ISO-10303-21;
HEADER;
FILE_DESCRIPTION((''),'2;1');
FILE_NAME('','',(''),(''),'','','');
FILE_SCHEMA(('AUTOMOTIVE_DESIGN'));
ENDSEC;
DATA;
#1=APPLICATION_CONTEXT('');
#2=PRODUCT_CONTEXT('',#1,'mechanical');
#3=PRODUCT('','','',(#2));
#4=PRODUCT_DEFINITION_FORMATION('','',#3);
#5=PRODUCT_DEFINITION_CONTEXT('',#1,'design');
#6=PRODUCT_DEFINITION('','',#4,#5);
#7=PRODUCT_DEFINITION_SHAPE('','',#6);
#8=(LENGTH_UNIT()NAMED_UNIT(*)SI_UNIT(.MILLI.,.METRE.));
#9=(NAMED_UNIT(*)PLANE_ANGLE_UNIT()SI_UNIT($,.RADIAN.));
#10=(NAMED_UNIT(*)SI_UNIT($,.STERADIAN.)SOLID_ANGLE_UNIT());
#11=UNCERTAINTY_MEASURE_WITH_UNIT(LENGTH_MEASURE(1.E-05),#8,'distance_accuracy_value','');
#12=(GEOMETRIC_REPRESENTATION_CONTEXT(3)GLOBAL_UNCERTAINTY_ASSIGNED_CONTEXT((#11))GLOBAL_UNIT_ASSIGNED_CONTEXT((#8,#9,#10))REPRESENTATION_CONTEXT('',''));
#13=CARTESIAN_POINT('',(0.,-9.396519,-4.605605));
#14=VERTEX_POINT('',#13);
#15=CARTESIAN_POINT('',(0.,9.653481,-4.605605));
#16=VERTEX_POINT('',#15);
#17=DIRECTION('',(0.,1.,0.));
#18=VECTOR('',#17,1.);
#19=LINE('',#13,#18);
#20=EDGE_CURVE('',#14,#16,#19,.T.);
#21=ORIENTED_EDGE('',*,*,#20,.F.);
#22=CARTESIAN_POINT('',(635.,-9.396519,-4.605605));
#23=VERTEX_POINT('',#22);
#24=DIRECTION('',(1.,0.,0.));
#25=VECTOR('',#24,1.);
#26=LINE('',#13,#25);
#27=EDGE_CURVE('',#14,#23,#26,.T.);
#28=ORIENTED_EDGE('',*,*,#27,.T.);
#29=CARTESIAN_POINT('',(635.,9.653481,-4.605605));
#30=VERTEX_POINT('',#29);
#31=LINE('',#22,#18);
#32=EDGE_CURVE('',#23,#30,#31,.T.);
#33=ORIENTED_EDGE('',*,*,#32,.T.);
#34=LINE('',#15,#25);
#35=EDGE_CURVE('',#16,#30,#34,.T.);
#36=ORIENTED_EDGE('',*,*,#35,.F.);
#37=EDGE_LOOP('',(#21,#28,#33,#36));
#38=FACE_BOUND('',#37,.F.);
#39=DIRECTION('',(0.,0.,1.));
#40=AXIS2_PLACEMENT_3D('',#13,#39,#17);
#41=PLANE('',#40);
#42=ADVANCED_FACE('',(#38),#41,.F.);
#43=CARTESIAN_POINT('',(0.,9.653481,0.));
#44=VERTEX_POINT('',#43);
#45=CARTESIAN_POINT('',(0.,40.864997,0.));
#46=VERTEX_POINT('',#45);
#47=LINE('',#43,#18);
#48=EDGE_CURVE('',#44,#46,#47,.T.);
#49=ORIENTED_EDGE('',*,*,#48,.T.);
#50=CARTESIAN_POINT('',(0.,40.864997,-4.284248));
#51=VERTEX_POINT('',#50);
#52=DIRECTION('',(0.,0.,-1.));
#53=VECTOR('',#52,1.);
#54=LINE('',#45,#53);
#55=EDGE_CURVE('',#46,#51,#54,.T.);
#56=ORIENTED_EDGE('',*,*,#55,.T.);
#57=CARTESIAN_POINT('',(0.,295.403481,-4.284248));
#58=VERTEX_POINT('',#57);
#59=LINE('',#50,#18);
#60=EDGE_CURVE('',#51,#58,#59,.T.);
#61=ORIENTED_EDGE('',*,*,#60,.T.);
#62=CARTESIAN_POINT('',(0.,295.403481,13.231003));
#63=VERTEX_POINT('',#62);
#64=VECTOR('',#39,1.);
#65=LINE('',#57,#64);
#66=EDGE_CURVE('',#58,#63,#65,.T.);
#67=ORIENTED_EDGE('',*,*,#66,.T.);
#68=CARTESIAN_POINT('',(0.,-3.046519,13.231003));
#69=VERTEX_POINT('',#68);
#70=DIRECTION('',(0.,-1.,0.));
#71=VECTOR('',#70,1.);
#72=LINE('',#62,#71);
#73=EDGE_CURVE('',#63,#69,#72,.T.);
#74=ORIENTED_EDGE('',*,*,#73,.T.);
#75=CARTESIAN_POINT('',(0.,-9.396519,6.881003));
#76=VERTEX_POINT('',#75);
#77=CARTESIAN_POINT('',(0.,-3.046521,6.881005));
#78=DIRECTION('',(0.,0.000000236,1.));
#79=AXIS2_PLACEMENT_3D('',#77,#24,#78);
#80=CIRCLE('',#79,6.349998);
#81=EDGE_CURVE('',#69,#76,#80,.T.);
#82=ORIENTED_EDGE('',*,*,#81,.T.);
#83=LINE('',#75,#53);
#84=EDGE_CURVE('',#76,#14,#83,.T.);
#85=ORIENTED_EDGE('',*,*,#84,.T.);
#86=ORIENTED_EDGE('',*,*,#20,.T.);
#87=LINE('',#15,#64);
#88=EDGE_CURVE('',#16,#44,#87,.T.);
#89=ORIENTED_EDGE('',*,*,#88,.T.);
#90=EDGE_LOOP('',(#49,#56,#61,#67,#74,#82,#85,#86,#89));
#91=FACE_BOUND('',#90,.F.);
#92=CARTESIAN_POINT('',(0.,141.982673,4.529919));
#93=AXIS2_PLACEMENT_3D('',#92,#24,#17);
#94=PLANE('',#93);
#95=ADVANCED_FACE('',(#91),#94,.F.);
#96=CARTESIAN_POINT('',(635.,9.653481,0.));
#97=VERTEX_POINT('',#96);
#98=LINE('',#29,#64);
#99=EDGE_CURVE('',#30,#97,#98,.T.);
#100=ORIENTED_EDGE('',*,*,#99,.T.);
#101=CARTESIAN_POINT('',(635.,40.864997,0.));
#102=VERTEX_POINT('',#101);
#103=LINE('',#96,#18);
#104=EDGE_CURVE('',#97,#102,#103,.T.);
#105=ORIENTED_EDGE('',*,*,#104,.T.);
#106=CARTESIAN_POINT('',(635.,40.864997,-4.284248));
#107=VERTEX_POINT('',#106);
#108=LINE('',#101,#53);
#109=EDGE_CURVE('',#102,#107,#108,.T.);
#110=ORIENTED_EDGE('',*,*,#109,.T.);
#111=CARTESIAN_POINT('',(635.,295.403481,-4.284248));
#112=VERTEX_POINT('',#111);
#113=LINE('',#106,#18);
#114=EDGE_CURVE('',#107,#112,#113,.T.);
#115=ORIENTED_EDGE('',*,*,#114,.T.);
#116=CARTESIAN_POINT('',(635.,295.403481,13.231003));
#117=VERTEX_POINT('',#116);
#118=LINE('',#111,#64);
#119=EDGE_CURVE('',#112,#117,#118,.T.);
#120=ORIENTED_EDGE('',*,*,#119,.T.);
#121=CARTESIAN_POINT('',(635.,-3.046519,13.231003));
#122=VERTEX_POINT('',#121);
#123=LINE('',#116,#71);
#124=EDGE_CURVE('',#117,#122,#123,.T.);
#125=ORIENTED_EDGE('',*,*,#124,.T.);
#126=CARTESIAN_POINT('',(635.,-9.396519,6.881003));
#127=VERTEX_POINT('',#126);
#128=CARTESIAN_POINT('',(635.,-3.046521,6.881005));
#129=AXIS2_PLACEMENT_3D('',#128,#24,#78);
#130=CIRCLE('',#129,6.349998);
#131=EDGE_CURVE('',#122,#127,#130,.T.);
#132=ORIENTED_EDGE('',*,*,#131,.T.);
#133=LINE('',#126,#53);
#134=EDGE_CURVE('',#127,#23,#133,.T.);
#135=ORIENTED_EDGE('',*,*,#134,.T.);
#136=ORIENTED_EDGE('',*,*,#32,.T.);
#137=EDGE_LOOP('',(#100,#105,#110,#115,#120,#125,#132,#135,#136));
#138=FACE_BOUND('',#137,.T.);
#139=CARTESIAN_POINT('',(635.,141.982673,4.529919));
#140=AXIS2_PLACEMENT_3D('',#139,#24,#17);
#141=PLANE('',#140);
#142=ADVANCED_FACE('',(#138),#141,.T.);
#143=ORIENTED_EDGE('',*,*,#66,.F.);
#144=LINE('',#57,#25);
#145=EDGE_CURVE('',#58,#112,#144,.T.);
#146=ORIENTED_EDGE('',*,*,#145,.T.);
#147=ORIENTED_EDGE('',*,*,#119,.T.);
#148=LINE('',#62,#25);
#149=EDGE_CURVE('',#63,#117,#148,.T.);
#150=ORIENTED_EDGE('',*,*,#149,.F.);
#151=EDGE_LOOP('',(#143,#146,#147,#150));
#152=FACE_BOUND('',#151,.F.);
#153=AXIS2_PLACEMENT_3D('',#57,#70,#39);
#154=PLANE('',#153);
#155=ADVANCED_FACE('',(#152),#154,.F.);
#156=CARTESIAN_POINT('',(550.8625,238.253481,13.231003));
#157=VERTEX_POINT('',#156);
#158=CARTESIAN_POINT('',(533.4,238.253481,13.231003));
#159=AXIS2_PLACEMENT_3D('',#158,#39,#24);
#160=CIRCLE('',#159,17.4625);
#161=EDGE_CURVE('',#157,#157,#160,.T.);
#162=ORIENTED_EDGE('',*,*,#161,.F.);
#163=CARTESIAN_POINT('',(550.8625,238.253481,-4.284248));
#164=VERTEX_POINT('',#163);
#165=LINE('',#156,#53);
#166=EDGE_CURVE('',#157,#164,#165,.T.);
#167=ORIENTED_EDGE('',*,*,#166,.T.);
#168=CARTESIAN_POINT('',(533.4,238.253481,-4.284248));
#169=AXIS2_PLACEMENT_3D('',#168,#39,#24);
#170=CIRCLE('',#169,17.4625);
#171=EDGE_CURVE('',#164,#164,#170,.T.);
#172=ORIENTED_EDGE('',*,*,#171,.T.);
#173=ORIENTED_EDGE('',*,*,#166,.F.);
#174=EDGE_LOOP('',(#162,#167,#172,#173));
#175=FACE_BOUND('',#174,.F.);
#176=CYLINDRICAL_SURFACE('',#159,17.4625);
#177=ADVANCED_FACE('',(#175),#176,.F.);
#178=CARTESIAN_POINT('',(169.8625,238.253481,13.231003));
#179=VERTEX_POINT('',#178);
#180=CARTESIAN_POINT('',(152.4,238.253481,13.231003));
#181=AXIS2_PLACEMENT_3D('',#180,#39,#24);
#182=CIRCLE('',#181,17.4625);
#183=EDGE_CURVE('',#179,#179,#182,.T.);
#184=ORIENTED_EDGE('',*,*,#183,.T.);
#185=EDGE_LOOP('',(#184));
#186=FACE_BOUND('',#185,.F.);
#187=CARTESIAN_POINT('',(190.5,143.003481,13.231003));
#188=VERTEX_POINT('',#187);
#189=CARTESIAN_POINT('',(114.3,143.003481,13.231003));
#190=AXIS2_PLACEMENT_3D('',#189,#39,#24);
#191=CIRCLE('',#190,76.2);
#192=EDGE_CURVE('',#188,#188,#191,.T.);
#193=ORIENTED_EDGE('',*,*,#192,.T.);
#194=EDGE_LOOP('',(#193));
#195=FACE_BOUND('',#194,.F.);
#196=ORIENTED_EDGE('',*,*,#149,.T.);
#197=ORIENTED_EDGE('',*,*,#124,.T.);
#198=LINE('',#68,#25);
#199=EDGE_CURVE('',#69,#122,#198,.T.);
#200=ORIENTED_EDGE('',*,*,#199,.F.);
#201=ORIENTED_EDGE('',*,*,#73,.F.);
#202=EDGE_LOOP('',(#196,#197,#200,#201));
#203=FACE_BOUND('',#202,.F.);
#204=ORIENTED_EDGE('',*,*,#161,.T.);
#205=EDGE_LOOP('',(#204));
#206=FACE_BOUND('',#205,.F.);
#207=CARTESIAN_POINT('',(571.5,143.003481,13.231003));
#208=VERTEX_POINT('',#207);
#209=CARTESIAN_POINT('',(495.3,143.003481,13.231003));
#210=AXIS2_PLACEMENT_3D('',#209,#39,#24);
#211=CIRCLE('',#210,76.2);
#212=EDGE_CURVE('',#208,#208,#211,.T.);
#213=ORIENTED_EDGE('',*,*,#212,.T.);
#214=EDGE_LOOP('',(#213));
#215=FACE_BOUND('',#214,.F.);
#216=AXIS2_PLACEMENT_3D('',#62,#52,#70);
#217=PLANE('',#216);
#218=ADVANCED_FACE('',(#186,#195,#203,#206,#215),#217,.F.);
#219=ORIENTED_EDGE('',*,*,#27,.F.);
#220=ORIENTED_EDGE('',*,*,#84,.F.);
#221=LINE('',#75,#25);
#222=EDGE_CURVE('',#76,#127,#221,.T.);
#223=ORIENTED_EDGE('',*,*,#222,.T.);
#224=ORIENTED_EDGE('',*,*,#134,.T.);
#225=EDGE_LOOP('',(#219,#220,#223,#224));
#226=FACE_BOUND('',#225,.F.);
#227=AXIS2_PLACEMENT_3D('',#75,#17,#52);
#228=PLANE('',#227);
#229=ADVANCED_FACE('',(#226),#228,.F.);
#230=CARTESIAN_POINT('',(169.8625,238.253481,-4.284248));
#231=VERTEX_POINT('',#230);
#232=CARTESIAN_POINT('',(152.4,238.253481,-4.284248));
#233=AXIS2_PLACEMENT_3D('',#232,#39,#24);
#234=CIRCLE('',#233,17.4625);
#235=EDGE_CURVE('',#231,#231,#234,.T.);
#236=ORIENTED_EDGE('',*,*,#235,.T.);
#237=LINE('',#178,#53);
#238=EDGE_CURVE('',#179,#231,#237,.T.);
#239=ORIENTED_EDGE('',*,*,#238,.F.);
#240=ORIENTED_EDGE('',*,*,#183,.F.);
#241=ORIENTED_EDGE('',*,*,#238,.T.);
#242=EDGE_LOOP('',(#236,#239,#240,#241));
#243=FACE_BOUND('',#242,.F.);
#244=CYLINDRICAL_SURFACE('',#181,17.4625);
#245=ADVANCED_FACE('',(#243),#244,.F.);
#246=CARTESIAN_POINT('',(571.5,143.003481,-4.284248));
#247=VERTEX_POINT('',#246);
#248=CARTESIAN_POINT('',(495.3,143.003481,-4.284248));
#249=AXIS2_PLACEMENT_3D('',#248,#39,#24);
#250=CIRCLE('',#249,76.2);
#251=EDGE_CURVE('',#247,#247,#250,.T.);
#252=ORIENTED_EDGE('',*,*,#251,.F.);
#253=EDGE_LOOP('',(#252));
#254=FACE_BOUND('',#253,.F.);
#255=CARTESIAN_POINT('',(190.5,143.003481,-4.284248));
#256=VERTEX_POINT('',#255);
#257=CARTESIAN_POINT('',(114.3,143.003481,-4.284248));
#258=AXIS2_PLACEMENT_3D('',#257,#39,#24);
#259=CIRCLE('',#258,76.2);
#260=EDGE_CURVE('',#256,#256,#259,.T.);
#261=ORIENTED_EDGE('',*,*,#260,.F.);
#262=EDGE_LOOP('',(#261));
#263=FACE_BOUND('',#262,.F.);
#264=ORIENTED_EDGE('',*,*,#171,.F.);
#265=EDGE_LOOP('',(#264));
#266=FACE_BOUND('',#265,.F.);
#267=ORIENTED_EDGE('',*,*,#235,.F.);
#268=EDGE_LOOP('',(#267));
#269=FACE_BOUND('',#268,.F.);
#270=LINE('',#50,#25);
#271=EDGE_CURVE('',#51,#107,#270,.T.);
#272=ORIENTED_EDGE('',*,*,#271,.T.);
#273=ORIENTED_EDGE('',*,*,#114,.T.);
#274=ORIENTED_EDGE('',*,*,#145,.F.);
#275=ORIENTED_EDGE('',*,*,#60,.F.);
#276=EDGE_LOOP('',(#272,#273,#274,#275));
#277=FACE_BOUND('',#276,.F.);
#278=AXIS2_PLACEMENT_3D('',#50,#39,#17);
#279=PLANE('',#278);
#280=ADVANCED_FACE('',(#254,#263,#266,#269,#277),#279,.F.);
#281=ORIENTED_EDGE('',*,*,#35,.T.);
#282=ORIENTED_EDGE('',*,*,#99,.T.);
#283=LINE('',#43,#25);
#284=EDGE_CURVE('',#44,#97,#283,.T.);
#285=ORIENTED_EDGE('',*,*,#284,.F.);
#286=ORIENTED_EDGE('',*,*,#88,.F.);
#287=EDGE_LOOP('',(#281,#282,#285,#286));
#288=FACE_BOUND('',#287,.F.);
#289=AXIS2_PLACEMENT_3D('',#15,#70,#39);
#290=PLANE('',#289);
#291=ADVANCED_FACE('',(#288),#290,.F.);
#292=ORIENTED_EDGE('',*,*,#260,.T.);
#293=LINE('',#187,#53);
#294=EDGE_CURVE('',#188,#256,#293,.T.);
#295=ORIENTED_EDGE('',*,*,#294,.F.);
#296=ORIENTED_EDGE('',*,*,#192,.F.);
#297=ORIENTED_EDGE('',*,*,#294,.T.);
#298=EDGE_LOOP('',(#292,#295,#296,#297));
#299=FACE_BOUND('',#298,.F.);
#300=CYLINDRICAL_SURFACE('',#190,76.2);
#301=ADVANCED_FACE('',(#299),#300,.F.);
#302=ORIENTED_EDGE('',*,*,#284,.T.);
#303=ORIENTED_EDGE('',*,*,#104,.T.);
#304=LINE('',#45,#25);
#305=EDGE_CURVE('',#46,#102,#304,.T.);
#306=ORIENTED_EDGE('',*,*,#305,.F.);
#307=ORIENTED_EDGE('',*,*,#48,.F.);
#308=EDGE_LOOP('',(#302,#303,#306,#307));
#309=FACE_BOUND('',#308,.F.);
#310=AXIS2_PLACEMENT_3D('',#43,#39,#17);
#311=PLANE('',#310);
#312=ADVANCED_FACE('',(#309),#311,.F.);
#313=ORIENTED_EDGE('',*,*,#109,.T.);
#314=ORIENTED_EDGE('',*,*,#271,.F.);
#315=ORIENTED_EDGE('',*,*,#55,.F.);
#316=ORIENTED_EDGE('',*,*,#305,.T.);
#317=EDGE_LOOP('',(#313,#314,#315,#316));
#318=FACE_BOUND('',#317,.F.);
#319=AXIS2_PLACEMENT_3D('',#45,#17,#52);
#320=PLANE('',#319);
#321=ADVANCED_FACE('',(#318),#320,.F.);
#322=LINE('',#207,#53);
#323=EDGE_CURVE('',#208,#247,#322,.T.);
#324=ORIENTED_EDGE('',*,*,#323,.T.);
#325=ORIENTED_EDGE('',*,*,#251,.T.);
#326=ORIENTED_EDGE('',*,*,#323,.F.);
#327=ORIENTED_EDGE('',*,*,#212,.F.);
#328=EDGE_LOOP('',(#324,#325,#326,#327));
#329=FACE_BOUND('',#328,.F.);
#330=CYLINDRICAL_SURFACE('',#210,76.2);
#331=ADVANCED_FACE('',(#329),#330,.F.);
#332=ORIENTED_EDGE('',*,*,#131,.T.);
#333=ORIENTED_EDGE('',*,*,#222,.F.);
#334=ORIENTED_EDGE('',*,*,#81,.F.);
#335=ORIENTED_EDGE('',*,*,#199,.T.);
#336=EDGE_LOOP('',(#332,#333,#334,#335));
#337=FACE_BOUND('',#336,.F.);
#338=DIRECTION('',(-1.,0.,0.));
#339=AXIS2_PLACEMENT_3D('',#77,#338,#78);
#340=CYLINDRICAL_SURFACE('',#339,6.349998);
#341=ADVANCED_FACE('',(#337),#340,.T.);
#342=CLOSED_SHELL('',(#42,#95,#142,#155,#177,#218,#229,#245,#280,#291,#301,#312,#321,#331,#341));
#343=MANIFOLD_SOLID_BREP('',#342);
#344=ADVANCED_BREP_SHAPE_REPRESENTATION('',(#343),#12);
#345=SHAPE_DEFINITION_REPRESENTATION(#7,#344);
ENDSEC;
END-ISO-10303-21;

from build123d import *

# Parameters (mm, degrees)
F1_DEPTH = 635
F2_R     = 76.2
F2_R_2   = 17.4625
F3_DEPTH = 25.4


with BuildPart() as f1:
    # F0 (on Right) → F1 (new body)
    with BuildSketch(Plane.YZ):
        with BuildLine():
            ThreePointArc((-3.046519, 13.231003), (-7.536648, 11.371131), (-9.396519, 6.881003))
            Line((-9.396519, 6.881003), (-9.396519, -4.605605))
            Line((-9.396519, -4.605605), (9.653481, -4.605605))
            Line((9.653481, -4.605605), (9.653481, 0))
            Line((9.653481, 0), (40.864997, 0))
            Line((40.864997, 0), (40.864997, -4.284248))
            Line((40.864997, -4.284248), (295.403481, -4.284248))
            Line((295.403481, -4.284248), (295.403481, 13.231003))
            Line((295.403481, 13.231003), (-3.046519, 13.231003))
        make_face()
    extrude(amount=F1_DEPTH)

    # F2 (on face) → F3 (cut)
    with BuildSketch(Plane.XY.offset(13.231003)):
        with Locations((114.3, 143.003481)):
            Circle(F2_R)
        with Locations((495.3, 143.003481)):
            Circle(F2_R)
        with Locations((533.4, 238.253481)):
            Circle(F2_R_2)
        with Locations((152.4, 238.253481)):
            Circle(F2_R_2)
    extrude(amount=-F3_DEPTH, mode=Mode.SUBTRACT)


solid = f1.part
